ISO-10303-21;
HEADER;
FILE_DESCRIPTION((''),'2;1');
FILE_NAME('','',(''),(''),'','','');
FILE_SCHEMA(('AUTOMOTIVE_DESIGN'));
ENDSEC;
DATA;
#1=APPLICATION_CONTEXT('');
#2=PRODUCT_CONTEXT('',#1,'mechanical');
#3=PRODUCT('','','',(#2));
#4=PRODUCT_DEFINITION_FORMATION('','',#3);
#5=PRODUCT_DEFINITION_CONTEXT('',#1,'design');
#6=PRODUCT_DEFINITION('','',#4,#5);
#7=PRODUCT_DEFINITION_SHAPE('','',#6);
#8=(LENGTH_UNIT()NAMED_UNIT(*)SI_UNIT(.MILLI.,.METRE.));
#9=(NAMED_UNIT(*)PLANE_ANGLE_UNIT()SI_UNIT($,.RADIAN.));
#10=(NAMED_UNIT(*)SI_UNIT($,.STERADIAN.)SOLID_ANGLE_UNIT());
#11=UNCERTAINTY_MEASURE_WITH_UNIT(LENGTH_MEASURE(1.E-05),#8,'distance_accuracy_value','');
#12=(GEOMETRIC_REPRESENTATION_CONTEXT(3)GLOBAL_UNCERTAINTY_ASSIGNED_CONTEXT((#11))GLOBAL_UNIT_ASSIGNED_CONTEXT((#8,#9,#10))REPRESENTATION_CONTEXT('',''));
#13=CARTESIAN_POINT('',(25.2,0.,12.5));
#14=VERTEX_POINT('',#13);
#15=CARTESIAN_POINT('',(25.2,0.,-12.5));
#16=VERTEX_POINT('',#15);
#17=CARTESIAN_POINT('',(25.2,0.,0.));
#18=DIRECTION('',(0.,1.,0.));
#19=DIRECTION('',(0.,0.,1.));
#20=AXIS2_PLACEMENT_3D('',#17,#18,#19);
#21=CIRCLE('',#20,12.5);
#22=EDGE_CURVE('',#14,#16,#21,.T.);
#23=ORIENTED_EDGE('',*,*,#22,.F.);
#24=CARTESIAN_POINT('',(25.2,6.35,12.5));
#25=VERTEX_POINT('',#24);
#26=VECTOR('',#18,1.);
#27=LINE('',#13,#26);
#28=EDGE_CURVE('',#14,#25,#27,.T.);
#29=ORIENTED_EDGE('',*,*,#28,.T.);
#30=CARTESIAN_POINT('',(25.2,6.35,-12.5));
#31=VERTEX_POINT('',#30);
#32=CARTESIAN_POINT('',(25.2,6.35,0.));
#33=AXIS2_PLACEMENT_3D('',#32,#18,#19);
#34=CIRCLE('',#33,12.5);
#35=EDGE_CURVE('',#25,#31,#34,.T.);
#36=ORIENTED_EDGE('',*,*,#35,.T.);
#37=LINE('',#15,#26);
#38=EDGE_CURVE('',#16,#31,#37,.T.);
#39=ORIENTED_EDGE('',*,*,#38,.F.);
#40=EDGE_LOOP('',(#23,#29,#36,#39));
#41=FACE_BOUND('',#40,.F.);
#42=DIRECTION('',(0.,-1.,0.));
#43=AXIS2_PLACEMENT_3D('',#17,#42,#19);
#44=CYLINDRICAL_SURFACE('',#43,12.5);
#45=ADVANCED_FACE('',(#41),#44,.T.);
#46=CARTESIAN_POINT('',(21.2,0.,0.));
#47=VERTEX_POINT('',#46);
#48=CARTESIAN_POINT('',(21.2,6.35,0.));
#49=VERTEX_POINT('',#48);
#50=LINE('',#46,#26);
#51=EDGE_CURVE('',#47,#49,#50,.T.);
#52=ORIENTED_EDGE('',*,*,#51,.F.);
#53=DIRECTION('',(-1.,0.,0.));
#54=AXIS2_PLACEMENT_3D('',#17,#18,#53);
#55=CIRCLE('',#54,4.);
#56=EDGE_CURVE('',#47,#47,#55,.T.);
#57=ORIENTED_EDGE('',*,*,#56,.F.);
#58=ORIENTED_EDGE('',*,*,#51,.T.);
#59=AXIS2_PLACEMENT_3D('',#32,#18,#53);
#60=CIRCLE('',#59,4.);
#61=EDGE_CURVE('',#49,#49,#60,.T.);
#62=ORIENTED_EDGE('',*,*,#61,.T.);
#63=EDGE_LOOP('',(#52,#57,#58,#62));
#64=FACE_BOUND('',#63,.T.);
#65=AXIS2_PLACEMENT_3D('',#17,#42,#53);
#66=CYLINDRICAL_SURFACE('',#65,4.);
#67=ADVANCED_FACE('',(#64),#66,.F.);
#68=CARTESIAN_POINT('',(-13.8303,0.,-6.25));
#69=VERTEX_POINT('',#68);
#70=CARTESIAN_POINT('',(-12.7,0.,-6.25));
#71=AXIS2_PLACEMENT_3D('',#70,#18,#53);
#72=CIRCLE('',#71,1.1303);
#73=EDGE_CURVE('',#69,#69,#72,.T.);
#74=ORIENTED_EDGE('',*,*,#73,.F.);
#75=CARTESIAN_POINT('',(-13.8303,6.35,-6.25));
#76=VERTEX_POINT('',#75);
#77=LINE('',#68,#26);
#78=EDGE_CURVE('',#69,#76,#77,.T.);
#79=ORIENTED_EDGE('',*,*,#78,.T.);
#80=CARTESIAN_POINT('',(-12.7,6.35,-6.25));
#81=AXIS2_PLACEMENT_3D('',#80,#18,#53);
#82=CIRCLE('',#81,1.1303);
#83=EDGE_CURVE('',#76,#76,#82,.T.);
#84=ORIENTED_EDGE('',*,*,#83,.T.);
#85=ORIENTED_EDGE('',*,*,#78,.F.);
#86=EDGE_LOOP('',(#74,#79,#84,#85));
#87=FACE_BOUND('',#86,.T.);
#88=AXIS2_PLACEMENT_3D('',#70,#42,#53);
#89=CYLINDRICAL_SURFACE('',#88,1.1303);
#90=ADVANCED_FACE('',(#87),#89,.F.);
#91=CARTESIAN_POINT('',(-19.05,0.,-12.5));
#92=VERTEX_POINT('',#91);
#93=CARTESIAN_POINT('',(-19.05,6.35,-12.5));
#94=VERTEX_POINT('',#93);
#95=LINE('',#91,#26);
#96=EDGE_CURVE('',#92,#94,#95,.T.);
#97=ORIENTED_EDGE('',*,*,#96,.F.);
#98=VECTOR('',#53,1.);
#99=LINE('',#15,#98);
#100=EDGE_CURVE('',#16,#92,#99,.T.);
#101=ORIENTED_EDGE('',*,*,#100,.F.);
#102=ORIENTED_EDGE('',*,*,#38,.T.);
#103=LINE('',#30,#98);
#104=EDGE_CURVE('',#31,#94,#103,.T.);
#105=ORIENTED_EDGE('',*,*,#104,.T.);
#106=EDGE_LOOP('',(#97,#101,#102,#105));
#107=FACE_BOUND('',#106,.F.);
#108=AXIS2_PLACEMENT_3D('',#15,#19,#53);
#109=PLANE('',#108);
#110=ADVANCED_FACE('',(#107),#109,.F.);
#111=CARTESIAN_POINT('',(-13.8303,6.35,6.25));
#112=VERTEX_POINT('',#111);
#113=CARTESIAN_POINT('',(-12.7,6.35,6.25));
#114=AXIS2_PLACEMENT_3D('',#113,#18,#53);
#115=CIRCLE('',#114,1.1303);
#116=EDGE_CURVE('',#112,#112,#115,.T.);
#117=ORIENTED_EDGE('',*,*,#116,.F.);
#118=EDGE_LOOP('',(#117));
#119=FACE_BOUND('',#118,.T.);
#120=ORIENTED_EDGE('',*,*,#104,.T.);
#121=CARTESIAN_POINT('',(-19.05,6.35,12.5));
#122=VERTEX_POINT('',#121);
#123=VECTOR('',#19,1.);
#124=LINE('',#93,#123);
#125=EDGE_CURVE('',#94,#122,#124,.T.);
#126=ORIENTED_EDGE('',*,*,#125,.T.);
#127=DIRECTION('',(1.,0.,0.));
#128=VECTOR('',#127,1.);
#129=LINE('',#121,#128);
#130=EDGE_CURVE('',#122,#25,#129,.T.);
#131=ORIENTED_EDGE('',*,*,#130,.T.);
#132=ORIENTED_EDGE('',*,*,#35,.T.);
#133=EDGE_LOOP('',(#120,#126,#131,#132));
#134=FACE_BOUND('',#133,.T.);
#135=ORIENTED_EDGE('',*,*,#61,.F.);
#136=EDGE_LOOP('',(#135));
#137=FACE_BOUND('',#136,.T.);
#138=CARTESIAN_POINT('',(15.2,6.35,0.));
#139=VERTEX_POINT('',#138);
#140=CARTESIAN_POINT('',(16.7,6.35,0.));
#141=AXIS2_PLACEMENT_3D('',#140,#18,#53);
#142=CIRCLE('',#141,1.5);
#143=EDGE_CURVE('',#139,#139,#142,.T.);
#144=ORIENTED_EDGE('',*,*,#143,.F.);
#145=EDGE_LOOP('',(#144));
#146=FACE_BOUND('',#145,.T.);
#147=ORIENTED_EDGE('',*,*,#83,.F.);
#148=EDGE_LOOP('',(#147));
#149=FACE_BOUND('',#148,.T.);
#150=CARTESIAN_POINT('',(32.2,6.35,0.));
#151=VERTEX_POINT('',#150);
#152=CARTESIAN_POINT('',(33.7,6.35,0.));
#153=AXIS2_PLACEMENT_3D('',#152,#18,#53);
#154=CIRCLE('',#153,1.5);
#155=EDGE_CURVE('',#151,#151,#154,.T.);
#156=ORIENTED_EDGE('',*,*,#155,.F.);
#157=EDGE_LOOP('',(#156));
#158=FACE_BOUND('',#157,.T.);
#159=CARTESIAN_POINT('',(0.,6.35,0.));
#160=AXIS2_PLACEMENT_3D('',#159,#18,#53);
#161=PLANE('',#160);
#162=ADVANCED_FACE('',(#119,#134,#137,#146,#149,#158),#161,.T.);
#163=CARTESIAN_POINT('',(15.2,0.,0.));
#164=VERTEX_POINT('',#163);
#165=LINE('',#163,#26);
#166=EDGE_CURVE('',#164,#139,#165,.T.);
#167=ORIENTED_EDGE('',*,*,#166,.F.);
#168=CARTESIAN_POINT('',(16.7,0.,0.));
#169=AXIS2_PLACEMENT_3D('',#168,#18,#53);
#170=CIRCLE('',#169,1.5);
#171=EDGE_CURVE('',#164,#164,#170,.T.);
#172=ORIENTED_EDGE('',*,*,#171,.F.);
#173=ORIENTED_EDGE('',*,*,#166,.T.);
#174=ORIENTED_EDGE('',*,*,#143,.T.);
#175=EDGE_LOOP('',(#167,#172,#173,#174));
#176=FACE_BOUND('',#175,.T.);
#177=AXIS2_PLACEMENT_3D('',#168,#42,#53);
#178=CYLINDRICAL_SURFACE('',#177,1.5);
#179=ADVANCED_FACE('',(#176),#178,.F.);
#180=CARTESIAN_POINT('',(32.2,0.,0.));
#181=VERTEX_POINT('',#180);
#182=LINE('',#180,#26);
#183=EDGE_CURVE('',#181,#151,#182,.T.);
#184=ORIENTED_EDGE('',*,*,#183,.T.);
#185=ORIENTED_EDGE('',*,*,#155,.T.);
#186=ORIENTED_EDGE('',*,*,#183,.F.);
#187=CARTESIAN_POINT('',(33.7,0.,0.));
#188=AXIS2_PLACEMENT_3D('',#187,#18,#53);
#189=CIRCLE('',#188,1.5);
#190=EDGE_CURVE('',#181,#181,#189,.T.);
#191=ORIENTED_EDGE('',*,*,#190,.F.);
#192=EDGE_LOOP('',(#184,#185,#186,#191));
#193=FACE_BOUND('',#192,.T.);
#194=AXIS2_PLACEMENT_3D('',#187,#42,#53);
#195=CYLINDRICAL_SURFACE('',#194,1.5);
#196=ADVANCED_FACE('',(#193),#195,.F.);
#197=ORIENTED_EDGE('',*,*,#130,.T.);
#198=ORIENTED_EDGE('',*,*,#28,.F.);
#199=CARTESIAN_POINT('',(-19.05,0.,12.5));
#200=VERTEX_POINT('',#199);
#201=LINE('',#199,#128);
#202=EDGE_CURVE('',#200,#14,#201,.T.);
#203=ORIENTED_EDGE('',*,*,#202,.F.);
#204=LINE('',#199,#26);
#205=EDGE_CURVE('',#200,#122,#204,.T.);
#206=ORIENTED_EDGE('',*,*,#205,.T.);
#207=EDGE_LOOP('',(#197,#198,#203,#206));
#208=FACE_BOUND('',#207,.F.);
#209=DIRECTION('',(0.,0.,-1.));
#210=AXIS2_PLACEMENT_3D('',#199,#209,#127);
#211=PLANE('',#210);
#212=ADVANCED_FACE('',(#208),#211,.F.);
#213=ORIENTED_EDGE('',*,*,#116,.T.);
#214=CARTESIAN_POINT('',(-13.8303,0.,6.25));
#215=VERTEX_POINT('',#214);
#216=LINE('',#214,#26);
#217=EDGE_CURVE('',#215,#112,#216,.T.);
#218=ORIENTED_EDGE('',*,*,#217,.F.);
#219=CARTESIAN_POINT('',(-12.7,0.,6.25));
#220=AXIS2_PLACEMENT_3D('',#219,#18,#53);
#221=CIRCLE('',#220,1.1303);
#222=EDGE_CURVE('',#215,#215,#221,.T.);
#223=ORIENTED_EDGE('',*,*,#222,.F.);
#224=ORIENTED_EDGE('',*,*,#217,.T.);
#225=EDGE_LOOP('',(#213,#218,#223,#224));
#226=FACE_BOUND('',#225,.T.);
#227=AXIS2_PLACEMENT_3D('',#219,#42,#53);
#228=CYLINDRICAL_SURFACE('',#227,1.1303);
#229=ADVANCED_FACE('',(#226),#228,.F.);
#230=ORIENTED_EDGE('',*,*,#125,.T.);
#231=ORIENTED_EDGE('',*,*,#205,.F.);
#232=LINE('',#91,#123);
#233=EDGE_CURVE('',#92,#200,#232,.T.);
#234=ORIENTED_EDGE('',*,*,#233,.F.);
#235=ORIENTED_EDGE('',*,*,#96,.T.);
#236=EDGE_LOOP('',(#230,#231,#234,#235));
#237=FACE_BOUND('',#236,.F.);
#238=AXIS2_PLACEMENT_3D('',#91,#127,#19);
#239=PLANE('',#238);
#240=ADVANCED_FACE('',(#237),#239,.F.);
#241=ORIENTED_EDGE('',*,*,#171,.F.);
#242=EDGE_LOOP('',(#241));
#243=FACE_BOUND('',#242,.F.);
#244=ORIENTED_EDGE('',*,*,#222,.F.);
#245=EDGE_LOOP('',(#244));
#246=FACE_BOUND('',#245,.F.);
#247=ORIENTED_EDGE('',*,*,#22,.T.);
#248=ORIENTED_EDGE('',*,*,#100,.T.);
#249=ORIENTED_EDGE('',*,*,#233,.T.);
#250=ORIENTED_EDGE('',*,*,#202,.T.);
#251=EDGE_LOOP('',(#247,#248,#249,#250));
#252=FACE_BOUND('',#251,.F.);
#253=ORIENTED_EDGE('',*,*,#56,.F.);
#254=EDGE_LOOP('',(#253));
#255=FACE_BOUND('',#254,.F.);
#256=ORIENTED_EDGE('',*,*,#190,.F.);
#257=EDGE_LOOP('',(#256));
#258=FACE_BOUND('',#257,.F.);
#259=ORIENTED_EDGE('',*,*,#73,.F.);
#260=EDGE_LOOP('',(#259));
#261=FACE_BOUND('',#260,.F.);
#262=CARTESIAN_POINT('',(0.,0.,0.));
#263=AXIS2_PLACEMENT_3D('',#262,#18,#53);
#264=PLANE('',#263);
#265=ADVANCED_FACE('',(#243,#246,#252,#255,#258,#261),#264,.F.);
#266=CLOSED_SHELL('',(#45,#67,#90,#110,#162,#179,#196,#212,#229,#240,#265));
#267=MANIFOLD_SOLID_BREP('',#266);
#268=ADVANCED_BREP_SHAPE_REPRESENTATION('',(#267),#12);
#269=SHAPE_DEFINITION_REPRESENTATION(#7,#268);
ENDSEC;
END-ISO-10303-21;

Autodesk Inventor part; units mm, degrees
ref_plane "YZ Plane" through (0, 0, 0) normal (1, 0, 0) x (0, 1, 0)
ref_plane "XZ Plane" through (0, 0, 0) normal (0, 1, 0) x (-1, 0, 0)
ref_plane "XY Plane" through (0, 0, 0) normal (0, 0, 1) x (1, 0, 0)
sketch "Sketch1" plane through (0, 0, 0) normal (0, 1, 0) x (-1, 0, 0)
  line L0 (19.05, 12.5) -> (-25.2, 12.5)
  line L1 (-25.2, -12.5) -> (19.05, -12.5)
  line L2 (19.05, -12.5) -> (19.05, 12.5)
  arc A0 (-25.2, 12.5) -> (-25.2, -12.5) centre (-25.2, 0) ccw
  circle A1 centre (12.7, 6.25) radius 1.1303
  circle A2 centre (12.7, -6.25) radius 1.1303
  circle A3 centre (-25.2, 0) radius 4
  circle A4 centre (-16.7, 0) radius 1.5
  circle A5 centre (-33.7, 0) radius 1.5
  point P0 (0, 0)
  dimension "d0" = 44.25
  dimension "d1" = 25
  dimension "d3" = 2.2606
  dimension "d4" = 6.25
  dimension "d5" = 6.35
  dimension "d6" = 19.05
  dimension "d7" = 8
  dimension "d8" = 3
  dimension "d9" = 8.5
  dimension "d10" = 3
  dimension "d11" = 8.5
extrude "Extrusion1" add sketch "Sketch1" along normal blind 6.35
properties part number "Motor_Mount_Face"
